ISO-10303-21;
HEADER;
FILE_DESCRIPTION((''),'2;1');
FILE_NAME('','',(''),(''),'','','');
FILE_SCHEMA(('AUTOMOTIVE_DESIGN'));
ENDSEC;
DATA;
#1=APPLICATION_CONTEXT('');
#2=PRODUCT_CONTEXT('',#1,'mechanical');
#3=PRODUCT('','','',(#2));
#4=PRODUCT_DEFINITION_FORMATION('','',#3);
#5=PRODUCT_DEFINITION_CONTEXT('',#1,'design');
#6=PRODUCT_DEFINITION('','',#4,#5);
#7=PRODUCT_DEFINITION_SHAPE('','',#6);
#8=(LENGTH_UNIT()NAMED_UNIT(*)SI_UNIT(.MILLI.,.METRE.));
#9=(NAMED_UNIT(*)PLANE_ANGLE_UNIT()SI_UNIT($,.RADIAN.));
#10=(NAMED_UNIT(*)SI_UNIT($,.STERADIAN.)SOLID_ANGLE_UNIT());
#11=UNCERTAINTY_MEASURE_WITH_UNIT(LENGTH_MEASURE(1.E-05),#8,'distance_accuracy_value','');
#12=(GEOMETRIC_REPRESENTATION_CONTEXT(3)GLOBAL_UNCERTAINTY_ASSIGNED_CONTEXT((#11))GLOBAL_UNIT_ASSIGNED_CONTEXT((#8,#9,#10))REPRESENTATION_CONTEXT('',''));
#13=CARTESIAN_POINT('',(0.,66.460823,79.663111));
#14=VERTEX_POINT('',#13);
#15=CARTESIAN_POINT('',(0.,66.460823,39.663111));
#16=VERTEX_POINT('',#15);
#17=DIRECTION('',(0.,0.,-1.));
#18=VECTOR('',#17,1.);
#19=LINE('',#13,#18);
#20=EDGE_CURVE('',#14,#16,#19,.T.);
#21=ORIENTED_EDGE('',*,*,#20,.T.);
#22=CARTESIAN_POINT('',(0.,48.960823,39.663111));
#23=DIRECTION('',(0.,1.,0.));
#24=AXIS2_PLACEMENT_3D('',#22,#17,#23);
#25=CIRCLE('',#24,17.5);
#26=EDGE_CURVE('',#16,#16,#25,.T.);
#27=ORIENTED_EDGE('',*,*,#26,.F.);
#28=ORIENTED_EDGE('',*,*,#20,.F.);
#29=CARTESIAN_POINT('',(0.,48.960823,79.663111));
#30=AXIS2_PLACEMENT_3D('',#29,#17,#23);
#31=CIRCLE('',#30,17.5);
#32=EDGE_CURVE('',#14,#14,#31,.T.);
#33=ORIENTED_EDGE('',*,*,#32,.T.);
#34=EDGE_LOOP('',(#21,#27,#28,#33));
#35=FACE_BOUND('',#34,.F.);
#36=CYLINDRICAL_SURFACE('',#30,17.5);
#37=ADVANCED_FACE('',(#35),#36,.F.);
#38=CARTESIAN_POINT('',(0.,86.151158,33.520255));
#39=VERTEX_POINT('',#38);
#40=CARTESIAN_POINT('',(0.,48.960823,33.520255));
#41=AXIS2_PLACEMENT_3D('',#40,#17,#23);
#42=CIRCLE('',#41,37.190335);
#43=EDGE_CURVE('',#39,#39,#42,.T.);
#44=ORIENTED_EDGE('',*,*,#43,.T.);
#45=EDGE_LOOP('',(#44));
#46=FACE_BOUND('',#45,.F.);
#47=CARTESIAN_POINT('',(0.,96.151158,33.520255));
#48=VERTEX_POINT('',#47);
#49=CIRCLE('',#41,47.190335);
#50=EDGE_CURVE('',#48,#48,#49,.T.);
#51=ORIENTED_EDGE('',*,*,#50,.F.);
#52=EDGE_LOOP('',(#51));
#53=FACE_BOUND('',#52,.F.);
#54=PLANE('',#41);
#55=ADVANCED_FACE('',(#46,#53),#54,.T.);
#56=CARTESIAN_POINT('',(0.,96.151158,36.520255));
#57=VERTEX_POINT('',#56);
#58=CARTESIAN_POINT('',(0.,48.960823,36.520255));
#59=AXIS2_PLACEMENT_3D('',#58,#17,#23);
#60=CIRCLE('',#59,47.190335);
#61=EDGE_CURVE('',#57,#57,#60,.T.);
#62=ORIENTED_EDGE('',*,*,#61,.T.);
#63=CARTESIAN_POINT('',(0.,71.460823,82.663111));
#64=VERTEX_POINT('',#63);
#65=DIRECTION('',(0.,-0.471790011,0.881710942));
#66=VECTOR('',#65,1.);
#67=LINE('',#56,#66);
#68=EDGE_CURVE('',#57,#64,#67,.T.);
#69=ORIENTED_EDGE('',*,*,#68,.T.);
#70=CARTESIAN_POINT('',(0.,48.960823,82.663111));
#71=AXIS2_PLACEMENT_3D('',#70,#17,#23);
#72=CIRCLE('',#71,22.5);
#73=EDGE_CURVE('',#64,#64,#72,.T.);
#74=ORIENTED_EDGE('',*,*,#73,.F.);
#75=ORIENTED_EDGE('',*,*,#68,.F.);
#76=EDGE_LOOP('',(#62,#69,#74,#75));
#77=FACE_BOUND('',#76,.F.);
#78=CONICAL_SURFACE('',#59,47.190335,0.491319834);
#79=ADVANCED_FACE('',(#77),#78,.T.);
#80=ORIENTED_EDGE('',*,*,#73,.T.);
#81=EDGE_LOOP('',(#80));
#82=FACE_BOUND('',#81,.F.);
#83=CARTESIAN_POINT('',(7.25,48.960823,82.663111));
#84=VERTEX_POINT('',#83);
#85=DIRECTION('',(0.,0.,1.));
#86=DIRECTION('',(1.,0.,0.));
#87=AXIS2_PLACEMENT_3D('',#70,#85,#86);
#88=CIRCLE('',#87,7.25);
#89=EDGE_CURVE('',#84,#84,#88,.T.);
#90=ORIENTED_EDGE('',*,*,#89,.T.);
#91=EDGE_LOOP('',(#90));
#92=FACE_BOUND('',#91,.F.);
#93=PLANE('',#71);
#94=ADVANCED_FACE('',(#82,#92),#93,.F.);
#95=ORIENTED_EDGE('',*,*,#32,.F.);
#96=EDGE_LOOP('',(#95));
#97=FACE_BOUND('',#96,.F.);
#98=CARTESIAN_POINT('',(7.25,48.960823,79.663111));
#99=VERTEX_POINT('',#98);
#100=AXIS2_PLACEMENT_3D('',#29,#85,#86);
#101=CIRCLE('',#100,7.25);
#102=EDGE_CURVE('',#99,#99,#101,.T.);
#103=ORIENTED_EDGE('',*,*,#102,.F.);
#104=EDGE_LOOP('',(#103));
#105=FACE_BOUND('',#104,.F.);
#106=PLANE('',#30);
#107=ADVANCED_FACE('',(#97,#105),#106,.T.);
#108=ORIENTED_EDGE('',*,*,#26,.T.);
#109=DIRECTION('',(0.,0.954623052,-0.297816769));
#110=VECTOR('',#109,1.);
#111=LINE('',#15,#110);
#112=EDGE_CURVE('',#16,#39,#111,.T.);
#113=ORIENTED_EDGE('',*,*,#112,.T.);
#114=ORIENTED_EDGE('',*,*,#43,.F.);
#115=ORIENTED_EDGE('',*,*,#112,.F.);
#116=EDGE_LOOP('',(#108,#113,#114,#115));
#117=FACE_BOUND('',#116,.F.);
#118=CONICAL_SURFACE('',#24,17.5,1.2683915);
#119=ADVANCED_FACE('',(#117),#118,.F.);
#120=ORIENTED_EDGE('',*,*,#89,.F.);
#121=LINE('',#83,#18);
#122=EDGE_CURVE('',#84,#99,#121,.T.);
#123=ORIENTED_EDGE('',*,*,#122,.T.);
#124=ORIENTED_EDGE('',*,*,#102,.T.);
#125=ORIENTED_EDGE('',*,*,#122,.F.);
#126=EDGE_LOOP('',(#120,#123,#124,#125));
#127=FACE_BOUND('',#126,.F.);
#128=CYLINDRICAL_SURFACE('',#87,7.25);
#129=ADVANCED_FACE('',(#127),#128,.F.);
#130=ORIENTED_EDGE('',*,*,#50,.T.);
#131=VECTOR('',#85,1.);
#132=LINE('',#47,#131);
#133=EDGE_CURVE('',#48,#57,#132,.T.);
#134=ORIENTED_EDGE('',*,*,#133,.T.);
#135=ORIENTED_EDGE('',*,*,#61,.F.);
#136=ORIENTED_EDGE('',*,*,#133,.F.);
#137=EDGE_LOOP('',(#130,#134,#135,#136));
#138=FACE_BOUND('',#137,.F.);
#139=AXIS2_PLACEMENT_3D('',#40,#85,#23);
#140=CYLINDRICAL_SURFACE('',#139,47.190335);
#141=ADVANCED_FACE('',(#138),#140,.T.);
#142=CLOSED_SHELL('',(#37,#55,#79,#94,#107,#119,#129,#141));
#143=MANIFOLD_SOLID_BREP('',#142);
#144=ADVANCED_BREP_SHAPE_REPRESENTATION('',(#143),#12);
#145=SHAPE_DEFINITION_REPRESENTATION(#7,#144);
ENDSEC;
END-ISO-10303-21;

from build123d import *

# Parameters (mm, degrees)
F2_R     = 7.25
F3_DEPTH = 49.143856


with BuildPart() as f1:
    # F0 (on Right) → F1 (revolve)
    with BuildSketch(Plane.YZ):
        Polygon((71.460823, 82.663111), (48.960823, 82.663111), (48.960823, 79.663111), (66.460823, 79.663111), (66.460823, 39.663111), (86.151158, 33.520255), (96.151158, 33.520255), (96.151158, 36.520255), align=None)
    revolve(axis=Axis((0, 48.960823, 81.163111), (0, 0, -1)))

    # F2 (on face) → F3 (cut, through all)
    with BuildSketch(Plane.XY.offset(82.663111)):
        with Locations((0, 48.960823)):
            Circle(F2_R)
    extrude(amount=-F3_DEPTH, mode=Mode.SUBTRACT)


solid = f1.part
